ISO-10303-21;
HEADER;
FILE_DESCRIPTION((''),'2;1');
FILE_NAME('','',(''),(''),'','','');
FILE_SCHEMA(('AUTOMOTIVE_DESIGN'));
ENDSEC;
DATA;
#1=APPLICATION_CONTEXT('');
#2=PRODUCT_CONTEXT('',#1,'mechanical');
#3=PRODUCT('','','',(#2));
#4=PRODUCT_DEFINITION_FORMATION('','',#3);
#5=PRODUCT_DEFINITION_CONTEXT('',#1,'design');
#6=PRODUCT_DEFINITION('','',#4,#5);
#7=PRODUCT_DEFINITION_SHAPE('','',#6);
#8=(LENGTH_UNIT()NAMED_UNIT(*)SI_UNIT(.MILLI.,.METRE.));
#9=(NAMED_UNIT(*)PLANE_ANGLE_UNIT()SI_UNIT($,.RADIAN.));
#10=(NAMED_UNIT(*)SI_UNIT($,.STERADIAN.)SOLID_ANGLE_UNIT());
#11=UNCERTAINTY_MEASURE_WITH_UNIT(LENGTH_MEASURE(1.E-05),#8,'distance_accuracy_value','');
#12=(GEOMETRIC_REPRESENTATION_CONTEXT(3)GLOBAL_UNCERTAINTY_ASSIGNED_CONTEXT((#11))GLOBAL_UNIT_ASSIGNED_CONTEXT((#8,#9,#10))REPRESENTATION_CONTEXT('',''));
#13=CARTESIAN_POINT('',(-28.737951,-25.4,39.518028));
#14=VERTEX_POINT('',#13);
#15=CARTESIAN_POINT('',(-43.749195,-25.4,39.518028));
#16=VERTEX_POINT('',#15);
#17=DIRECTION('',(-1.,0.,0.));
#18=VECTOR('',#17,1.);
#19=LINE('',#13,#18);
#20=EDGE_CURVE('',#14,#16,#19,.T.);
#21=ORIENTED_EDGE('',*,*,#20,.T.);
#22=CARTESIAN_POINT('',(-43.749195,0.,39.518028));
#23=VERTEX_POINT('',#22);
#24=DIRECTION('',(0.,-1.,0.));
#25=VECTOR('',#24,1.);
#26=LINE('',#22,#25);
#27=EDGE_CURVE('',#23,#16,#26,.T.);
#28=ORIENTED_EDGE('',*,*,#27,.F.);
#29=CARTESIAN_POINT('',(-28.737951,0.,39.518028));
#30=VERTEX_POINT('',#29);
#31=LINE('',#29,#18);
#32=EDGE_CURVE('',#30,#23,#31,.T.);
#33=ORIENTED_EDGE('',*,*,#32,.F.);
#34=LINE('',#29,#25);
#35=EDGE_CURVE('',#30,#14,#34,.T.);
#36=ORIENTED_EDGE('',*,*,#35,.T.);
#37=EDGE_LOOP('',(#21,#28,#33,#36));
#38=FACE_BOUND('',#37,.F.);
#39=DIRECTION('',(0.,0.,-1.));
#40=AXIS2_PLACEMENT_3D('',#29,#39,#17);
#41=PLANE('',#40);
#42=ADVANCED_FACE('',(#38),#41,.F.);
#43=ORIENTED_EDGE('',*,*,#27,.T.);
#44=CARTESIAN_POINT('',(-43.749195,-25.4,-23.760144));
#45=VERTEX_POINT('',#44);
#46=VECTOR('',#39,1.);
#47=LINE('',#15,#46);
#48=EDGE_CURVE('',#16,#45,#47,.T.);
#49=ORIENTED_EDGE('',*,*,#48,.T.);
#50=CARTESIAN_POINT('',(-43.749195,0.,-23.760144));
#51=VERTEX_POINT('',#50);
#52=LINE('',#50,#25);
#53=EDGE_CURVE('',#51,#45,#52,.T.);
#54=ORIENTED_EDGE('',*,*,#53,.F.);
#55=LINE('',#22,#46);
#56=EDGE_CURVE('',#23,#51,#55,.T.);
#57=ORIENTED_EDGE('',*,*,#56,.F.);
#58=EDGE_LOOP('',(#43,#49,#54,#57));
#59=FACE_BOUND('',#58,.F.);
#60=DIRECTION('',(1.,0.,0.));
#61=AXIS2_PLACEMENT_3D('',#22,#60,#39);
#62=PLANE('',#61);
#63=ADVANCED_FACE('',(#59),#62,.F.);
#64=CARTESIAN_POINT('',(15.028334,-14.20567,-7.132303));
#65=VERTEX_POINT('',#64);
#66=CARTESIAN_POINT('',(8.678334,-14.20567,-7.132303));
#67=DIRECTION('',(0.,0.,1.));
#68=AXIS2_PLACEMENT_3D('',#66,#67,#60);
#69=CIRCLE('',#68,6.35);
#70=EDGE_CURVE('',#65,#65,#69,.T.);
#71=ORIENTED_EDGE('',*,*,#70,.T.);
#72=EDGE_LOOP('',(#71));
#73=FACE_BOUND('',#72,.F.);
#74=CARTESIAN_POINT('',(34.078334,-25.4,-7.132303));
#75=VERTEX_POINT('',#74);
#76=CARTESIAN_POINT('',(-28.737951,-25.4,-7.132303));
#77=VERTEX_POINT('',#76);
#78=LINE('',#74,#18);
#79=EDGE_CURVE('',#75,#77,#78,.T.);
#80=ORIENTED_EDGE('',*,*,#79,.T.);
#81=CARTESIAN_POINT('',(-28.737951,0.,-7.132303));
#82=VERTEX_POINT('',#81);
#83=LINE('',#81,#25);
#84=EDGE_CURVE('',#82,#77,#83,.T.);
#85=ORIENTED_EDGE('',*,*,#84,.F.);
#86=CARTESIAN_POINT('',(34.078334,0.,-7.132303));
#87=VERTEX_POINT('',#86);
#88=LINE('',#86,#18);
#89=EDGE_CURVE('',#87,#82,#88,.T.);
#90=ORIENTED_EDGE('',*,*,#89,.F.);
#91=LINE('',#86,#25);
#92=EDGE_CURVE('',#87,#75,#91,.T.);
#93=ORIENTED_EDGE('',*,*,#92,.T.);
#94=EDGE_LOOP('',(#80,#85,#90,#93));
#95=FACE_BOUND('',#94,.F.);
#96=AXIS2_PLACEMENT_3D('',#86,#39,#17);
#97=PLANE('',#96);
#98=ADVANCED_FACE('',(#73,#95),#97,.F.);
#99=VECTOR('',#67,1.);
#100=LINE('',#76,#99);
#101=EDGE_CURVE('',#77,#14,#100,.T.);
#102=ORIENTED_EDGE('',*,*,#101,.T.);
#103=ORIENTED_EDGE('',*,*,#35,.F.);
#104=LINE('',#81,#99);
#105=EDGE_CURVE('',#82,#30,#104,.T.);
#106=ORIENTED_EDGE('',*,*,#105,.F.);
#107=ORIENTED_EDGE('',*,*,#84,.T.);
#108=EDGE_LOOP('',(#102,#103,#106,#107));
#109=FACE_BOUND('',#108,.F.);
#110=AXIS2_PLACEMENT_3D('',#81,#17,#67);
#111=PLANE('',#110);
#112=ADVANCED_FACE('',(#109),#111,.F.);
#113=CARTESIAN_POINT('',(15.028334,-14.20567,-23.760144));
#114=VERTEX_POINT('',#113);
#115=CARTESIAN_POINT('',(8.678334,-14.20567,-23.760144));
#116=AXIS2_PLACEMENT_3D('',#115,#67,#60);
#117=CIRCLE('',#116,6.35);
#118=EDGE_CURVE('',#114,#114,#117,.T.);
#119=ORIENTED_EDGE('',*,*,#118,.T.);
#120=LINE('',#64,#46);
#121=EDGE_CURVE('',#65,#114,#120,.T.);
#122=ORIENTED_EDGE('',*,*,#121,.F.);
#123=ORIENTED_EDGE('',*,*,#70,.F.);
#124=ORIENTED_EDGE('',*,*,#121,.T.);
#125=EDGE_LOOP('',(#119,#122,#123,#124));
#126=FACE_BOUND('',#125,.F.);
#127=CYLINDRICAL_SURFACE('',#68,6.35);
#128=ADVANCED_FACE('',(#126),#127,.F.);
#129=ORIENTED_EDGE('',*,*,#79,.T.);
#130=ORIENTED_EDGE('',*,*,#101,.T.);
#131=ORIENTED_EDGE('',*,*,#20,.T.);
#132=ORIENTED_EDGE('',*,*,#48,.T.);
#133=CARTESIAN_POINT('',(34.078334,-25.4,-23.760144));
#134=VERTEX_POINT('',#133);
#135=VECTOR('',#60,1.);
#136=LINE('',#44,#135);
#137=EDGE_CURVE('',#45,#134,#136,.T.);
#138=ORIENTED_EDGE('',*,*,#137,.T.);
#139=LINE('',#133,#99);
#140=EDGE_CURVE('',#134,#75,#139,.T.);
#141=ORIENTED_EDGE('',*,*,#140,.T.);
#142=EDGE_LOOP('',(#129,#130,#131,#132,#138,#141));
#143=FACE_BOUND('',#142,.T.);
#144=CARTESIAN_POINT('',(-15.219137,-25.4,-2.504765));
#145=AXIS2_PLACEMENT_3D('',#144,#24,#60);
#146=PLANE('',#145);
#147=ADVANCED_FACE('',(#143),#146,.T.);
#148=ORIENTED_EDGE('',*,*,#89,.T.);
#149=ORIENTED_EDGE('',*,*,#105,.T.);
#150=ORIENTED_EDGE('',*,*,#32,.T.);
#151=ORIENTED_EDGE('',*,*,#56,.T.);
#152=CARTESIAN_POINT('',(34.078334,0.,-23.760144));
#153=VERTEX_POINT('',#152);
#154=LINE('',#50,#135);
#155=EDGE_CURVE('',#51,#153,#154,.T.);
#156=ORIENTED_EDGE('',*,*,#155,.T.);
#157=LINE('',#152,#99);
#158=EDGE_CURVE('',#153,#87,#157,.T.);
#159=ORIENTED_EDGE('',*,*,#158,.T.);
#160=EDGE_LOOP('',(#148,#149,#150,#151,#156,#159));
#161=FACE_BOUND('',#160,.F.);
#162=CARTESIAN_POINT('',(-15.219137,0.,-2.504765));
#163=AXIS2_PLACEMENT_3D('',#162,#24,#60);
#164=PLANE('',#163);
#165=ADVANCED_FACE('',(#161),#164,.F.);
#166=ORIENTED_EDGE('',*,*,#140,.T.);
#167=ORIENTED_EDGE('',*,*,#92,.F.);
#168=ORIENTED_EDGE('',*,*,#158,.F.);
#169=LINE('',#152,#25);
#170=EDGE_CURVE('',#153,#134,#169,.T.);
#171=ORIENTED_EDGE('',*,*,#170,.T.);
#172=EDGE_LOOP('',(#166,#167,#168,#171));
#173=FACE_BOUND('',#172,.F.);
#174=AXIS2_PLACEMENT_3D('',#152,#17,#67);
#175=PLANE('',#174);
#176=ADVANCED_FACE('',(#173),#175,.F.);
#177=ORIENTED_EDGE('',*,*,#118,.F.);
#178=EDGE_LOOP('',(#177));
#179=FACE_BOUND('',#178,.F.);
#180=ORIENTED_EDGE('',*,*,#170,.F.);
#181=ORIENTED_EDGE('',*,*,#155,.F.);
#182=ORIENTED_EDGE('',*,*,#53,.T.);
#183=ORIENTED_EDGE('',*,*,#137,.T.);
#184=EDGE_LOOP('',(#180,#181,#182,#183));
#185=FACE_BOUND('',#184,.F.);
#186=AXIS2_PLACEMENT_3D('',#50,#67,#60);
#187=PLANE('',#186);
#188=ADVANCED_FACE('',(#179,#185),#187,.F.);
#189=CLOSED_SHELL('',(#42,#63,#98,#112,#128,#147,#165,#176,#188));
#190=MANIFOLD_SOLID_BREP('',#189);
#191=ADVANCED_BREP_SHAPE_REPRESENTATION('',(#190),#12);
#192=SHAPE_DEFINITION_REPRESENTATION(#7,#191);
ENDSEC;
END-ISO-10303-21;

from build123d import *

# Parameters (mm, degrees)
F1_DEPTH = 25.4
F2_R     = 6.35
F3_DEPTH = 25.4


with BuildPart() as f1:
    # F0 (on Front) → F1 (new body)
    with BuildSketch(Plane.XZ):
        Polygon((-28.737951, 39.518028), (-43.749195, 39.518028), (-43.749195, -23.760144), (-28.737951, -23.760144), (34.078334, -23.760144), (34.078334, -7.132303), (-28.737951, -7.132303), align=None)
    extrude(amount=F1_DEPTH)

    # F2 (on face) → F3 (cut)
    with BuildSketch(Plane.XY.offset(-7.132303)):
        with Locations((8.678334, -14.20567)):
            Circle(F2_R)
    extrude(amount=-F3_DEPTH, mode=Mode.SUBTRACT)


solid = f1.part
